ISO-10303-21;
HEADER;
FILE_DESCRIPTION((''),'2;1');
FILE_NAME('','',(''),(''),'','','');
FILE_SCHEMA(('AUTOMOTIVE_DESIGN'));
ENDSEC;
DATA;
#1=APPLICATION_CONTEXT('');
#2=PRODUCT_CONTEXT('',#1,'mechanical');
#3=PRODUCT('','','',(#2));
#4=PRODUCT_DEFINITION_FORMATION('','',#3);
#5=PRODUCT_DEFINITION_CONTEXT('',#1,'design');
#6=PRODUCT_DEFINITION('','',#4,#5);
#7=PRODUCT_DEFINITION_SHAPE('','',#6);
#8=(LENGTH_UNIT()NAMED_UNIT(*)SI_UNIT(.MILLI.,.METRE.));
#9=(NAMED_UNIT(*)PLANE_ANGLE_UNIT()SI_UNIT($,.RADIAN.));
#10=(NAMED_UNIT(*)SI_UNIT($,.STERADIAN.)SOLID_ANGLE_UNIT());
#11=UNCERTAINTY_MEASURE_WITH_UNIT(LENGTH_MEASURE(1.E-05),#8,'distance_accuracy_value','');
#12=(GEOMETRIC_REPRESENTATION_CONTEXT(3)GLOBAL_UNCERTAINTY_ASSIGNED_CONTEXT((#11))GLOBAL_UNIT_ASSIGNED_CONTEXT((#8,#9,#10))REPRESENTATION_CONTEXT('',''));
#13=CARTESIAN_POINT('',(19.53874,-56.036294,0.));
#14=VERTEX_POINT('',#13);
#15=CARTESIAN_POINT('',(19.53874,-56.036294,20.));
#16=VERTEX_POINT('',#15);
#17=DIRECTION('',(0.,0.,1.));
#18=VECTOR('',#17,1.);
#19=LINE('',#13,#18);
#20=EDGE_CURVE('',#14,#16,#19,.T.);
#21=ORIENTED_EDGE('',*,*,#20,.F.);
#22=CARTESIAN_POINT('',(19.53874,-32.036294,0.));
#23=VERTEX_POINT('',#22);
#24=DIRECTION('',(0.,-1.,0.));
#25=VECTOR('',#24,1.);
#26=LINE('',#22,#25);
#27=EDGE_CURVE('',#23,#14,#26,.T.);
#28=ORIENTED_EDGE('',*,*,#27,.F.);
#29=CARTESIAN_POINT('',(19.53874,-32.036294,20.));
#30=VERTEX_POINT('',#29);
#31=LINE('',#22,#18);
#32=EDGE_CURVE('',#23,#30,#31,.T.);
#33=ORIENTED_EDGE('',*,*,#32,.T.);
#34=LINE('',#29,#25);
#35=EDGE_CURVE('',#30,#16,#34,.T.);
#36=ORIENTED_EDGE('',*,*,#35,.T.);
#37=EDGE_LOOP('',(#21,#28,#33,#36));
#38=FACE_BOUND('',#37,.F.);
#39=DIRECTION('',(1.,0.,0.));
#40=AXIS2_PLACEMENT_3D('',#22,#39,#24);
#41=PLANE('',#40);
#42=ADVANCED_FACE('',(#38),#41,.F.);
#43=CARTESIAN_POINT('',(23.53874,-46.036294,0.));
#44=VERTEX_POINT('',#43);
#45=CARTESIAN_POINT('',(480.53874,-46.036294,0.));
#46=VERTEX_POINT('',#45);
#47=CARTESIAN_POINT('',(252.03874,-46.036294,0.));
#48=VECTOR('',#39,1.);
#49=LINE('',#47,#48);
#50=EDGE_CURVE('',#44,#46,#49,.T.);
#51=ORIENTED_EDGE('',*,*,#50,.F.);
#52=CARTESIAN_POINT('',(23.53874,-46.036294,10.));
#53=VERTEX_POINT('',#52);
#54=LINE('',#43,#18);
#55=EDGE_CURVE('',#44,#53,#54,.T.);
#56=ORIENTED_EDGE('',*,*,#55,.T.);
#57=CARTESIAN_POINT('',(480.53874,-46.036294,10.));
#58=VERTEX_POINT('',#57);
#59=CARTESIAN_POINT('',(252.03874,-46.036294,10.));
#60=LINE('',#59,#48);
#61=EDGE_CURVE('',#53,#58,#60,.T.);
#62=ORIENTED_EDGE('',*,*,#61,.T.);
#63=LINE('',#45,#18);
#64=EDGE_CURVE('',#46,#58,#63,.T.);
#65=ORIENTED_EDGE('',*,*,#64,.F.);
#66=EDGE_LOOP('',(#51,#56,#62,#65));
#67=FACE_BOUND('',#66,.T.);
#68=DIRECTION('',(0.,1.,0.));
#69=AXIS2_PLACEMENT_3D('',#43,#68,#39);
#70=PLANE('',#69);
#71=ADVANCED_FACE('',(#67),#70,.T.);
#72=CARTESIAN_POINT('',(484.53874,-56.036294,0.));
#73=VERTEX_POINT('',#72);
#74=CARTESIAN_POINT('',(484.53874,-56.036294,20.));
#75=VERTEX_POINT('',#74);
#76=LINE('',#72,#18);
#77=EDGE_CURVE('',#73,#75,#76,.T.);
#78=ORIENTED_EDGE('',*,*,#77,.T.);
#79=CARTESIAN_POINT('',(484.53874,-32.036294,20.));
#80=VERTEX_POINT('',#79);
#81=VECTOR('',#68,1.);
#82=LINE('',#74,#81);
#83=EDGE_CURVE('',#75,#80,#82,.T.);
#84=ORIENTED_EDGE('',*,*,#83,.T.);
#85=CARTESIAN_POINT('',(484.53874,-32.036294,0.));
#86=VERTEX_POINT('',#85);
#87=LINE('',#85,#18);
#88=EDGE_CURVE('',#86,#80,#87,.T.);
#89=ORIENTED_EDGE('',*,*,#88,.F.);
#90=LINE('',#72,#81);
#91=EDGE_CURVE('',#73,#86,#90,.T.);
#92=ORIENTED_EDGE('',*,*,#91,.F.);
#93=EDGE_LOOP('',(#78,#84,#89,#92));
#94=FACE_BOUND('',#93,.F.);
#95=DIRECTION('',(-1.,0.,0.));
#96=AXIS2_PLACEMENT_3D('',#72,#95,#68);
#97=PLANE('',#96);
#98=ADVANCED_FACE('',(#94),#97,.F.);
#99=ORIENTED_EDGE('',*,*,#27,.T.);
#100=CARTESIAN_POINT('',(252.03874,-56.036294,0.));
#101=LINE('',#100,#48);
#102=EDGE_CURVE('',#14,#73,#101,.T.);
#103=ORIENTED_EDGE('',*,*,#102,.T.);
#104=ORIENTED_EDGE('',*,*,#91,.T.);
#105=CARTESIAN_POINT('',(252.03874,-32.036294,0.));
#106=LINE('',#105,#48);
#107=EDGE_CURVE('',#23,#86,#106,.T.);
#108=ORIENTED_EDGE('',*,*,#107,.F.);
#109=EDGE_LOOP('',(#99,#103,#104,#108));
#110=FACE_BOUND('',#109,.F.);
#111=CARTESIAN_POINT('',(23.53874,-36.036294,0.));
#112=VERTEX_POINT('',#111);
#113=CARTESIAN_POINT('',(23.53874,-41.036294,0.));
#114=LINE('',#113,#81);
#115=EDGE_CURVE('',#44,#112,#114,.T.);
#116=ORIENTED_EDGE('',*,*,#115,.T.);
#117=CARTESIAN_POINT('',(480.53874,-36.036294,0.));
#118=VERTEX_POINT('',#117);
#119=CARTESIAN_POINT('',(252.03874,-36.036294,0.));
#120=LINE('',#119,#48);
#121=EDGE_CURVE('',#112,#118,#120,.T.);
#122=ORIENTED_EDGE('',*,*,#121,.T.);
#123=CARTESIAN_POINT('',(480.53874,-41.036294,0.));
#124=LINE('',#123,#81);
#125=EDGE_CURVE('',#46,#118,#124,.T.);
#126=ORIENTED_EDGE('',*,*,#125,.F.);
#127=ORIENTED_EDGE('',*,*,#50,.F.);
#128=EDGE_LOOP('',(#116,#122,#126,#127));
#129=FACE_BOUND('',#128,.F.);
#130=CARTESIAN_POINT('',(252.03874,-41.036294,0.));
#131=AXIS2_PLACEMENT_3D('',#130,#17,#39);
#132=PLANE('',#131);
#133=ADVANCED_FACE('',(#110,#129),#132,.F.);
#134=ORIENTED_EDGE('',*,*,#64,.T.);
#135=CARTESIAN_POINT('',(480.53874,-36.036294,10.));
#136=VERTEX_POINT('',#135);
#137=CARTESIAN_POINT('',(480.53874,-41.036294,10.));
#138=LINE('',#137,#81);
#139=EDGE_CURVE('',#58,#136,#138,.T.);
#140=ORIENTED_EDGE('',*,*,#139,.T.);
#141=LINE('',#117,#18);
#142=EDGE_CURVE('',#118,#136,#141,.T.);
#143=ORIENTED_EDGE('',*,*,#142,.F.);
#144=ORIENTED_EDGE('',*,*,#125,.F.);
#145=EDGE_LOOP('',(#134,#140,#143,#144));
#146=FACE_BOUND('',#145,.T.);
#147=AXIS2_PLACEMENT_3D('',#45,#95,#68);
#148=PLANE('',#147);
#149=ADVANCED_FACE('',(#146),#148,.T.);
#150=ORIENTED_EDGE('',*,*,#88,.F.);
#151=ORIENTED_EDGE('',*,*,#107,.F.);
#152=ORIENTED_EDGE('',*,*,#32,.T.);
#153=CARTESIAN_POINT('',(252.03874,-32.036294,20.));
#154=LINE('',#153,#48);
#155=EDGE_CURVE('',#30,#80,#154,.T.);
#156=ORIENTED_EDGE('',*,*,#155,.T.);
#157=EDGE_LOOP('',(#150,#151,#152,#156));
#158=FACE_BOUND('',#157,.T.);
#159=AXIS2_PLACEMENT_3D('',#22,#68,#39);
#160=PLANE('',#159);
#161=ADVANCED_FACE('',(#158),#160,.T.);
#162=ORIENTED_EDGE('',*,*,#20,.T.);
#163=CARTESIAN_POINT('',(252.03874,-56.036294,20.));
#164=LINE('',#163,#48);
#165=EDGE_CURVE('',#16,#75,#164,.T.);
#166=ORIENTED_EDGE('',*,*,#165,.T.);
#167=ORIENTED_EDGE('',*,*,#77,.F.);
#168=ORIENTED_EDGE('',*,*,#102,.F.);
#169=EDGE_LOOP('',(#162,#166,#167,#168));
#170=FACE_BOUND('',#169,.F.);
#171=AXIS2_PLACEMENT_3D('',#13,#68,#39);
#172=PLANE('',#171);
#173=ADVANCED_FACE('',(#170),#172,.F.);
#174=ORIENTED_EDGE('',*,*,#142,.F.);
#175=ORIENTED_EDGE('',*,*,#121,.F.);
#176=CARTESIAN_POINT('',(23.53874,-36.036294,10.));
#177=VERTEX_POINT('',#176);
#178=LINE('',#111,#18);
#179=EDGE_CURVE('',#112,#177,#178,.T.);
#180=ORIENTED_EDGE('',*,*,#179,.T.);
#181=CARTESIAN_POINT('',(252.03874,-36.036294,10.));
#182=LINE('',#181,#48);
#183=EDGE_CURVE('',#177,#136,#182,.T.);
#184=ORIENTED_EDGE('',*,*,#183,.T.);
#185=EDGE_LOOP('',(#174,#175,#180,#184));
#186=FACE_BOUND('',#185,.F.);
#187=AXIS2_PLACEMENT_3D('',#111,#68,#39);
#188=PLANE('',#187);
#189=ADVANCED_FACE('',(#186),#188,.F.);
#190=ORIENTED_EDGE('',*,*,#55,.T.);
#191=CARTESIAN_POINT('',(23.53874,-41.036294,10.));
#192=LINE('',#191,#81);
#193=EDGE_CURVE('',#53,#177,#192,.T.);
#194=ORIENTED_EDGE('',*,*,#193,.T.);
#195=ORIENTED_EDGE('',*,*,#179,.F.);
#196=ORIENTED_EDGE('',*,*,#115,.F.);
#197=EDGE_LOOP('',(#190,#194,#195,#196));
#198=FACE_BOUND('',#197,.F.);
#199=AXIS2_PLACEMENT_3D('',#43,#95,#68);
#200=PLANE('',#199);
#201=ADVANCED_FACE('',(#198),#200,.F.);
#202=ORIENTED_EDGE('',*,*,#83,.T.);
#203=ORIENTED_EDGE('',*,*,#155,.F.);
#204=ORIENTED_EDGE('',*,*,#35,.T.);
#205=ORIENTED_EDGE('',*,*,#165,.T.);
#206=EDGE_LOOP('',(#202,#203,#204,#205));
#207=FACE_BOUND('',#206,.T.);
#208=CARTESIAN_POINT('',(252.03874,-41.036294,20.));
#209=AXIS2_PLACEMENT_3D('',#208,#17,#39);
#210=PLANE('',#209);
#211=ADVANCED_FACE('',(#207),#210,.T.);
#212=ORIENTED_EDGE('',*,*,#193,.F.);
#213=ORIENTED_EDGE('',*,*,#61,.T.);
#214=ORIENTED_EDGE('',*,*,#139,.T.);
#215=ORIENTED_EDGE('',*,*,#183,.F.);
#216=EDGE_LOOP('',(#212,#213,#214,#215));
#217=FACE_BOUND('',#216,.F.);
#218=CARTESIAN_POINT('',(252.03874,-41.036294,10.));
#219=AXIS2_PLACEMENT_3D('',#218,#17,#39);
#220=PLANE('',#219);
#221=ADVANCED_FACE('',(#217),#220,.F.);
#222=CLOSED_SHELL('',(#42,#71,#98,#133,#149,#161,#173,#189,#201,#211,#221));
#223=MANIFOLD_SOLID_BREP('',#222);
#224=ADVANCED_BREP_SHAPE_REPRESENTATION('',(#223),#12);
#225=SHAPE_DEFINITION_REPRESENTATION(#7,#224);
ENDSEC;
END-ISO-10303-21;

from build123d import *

# Parameters (mm, degrees)
F0_W     = 465
F0_H     = 18
F0_W_2   = 457
F0_H_2   = 10
F0_H_3   = 6
F1_DEPTH = 20
F2_START = 10
F2_DEPTH = 10


with BuildPart() as f1:
    # F0 (on Top) → F1 (new body)
    with BuildSketch(Plane.XY):
        with Locations((252.0387396961, -41.0362935066)):
            Rectangle(F0_W, F0_H)
        with Locations((252.0387396961, -41.0362935066)):
            Rectangle(F0_W_2, F0_H_2, mode=Mode.SUBTRACT)
        with Locations((252.0387396961, -53.0362935066)):
            Rectangle(F0_W, F0_H_3)
    extrude(amount=F1_DEPTH)

    # F0 (on Top) → F2 (join)
    with BuildSketch(Plane.XY.offset(F2_START)):
        with Locations((252.0387396961, -41.0362935066)):
            Rectangle(F0_W_2, F0_H_2)
    extrude(amount=F2_DEPTH)


solid = f1.part
